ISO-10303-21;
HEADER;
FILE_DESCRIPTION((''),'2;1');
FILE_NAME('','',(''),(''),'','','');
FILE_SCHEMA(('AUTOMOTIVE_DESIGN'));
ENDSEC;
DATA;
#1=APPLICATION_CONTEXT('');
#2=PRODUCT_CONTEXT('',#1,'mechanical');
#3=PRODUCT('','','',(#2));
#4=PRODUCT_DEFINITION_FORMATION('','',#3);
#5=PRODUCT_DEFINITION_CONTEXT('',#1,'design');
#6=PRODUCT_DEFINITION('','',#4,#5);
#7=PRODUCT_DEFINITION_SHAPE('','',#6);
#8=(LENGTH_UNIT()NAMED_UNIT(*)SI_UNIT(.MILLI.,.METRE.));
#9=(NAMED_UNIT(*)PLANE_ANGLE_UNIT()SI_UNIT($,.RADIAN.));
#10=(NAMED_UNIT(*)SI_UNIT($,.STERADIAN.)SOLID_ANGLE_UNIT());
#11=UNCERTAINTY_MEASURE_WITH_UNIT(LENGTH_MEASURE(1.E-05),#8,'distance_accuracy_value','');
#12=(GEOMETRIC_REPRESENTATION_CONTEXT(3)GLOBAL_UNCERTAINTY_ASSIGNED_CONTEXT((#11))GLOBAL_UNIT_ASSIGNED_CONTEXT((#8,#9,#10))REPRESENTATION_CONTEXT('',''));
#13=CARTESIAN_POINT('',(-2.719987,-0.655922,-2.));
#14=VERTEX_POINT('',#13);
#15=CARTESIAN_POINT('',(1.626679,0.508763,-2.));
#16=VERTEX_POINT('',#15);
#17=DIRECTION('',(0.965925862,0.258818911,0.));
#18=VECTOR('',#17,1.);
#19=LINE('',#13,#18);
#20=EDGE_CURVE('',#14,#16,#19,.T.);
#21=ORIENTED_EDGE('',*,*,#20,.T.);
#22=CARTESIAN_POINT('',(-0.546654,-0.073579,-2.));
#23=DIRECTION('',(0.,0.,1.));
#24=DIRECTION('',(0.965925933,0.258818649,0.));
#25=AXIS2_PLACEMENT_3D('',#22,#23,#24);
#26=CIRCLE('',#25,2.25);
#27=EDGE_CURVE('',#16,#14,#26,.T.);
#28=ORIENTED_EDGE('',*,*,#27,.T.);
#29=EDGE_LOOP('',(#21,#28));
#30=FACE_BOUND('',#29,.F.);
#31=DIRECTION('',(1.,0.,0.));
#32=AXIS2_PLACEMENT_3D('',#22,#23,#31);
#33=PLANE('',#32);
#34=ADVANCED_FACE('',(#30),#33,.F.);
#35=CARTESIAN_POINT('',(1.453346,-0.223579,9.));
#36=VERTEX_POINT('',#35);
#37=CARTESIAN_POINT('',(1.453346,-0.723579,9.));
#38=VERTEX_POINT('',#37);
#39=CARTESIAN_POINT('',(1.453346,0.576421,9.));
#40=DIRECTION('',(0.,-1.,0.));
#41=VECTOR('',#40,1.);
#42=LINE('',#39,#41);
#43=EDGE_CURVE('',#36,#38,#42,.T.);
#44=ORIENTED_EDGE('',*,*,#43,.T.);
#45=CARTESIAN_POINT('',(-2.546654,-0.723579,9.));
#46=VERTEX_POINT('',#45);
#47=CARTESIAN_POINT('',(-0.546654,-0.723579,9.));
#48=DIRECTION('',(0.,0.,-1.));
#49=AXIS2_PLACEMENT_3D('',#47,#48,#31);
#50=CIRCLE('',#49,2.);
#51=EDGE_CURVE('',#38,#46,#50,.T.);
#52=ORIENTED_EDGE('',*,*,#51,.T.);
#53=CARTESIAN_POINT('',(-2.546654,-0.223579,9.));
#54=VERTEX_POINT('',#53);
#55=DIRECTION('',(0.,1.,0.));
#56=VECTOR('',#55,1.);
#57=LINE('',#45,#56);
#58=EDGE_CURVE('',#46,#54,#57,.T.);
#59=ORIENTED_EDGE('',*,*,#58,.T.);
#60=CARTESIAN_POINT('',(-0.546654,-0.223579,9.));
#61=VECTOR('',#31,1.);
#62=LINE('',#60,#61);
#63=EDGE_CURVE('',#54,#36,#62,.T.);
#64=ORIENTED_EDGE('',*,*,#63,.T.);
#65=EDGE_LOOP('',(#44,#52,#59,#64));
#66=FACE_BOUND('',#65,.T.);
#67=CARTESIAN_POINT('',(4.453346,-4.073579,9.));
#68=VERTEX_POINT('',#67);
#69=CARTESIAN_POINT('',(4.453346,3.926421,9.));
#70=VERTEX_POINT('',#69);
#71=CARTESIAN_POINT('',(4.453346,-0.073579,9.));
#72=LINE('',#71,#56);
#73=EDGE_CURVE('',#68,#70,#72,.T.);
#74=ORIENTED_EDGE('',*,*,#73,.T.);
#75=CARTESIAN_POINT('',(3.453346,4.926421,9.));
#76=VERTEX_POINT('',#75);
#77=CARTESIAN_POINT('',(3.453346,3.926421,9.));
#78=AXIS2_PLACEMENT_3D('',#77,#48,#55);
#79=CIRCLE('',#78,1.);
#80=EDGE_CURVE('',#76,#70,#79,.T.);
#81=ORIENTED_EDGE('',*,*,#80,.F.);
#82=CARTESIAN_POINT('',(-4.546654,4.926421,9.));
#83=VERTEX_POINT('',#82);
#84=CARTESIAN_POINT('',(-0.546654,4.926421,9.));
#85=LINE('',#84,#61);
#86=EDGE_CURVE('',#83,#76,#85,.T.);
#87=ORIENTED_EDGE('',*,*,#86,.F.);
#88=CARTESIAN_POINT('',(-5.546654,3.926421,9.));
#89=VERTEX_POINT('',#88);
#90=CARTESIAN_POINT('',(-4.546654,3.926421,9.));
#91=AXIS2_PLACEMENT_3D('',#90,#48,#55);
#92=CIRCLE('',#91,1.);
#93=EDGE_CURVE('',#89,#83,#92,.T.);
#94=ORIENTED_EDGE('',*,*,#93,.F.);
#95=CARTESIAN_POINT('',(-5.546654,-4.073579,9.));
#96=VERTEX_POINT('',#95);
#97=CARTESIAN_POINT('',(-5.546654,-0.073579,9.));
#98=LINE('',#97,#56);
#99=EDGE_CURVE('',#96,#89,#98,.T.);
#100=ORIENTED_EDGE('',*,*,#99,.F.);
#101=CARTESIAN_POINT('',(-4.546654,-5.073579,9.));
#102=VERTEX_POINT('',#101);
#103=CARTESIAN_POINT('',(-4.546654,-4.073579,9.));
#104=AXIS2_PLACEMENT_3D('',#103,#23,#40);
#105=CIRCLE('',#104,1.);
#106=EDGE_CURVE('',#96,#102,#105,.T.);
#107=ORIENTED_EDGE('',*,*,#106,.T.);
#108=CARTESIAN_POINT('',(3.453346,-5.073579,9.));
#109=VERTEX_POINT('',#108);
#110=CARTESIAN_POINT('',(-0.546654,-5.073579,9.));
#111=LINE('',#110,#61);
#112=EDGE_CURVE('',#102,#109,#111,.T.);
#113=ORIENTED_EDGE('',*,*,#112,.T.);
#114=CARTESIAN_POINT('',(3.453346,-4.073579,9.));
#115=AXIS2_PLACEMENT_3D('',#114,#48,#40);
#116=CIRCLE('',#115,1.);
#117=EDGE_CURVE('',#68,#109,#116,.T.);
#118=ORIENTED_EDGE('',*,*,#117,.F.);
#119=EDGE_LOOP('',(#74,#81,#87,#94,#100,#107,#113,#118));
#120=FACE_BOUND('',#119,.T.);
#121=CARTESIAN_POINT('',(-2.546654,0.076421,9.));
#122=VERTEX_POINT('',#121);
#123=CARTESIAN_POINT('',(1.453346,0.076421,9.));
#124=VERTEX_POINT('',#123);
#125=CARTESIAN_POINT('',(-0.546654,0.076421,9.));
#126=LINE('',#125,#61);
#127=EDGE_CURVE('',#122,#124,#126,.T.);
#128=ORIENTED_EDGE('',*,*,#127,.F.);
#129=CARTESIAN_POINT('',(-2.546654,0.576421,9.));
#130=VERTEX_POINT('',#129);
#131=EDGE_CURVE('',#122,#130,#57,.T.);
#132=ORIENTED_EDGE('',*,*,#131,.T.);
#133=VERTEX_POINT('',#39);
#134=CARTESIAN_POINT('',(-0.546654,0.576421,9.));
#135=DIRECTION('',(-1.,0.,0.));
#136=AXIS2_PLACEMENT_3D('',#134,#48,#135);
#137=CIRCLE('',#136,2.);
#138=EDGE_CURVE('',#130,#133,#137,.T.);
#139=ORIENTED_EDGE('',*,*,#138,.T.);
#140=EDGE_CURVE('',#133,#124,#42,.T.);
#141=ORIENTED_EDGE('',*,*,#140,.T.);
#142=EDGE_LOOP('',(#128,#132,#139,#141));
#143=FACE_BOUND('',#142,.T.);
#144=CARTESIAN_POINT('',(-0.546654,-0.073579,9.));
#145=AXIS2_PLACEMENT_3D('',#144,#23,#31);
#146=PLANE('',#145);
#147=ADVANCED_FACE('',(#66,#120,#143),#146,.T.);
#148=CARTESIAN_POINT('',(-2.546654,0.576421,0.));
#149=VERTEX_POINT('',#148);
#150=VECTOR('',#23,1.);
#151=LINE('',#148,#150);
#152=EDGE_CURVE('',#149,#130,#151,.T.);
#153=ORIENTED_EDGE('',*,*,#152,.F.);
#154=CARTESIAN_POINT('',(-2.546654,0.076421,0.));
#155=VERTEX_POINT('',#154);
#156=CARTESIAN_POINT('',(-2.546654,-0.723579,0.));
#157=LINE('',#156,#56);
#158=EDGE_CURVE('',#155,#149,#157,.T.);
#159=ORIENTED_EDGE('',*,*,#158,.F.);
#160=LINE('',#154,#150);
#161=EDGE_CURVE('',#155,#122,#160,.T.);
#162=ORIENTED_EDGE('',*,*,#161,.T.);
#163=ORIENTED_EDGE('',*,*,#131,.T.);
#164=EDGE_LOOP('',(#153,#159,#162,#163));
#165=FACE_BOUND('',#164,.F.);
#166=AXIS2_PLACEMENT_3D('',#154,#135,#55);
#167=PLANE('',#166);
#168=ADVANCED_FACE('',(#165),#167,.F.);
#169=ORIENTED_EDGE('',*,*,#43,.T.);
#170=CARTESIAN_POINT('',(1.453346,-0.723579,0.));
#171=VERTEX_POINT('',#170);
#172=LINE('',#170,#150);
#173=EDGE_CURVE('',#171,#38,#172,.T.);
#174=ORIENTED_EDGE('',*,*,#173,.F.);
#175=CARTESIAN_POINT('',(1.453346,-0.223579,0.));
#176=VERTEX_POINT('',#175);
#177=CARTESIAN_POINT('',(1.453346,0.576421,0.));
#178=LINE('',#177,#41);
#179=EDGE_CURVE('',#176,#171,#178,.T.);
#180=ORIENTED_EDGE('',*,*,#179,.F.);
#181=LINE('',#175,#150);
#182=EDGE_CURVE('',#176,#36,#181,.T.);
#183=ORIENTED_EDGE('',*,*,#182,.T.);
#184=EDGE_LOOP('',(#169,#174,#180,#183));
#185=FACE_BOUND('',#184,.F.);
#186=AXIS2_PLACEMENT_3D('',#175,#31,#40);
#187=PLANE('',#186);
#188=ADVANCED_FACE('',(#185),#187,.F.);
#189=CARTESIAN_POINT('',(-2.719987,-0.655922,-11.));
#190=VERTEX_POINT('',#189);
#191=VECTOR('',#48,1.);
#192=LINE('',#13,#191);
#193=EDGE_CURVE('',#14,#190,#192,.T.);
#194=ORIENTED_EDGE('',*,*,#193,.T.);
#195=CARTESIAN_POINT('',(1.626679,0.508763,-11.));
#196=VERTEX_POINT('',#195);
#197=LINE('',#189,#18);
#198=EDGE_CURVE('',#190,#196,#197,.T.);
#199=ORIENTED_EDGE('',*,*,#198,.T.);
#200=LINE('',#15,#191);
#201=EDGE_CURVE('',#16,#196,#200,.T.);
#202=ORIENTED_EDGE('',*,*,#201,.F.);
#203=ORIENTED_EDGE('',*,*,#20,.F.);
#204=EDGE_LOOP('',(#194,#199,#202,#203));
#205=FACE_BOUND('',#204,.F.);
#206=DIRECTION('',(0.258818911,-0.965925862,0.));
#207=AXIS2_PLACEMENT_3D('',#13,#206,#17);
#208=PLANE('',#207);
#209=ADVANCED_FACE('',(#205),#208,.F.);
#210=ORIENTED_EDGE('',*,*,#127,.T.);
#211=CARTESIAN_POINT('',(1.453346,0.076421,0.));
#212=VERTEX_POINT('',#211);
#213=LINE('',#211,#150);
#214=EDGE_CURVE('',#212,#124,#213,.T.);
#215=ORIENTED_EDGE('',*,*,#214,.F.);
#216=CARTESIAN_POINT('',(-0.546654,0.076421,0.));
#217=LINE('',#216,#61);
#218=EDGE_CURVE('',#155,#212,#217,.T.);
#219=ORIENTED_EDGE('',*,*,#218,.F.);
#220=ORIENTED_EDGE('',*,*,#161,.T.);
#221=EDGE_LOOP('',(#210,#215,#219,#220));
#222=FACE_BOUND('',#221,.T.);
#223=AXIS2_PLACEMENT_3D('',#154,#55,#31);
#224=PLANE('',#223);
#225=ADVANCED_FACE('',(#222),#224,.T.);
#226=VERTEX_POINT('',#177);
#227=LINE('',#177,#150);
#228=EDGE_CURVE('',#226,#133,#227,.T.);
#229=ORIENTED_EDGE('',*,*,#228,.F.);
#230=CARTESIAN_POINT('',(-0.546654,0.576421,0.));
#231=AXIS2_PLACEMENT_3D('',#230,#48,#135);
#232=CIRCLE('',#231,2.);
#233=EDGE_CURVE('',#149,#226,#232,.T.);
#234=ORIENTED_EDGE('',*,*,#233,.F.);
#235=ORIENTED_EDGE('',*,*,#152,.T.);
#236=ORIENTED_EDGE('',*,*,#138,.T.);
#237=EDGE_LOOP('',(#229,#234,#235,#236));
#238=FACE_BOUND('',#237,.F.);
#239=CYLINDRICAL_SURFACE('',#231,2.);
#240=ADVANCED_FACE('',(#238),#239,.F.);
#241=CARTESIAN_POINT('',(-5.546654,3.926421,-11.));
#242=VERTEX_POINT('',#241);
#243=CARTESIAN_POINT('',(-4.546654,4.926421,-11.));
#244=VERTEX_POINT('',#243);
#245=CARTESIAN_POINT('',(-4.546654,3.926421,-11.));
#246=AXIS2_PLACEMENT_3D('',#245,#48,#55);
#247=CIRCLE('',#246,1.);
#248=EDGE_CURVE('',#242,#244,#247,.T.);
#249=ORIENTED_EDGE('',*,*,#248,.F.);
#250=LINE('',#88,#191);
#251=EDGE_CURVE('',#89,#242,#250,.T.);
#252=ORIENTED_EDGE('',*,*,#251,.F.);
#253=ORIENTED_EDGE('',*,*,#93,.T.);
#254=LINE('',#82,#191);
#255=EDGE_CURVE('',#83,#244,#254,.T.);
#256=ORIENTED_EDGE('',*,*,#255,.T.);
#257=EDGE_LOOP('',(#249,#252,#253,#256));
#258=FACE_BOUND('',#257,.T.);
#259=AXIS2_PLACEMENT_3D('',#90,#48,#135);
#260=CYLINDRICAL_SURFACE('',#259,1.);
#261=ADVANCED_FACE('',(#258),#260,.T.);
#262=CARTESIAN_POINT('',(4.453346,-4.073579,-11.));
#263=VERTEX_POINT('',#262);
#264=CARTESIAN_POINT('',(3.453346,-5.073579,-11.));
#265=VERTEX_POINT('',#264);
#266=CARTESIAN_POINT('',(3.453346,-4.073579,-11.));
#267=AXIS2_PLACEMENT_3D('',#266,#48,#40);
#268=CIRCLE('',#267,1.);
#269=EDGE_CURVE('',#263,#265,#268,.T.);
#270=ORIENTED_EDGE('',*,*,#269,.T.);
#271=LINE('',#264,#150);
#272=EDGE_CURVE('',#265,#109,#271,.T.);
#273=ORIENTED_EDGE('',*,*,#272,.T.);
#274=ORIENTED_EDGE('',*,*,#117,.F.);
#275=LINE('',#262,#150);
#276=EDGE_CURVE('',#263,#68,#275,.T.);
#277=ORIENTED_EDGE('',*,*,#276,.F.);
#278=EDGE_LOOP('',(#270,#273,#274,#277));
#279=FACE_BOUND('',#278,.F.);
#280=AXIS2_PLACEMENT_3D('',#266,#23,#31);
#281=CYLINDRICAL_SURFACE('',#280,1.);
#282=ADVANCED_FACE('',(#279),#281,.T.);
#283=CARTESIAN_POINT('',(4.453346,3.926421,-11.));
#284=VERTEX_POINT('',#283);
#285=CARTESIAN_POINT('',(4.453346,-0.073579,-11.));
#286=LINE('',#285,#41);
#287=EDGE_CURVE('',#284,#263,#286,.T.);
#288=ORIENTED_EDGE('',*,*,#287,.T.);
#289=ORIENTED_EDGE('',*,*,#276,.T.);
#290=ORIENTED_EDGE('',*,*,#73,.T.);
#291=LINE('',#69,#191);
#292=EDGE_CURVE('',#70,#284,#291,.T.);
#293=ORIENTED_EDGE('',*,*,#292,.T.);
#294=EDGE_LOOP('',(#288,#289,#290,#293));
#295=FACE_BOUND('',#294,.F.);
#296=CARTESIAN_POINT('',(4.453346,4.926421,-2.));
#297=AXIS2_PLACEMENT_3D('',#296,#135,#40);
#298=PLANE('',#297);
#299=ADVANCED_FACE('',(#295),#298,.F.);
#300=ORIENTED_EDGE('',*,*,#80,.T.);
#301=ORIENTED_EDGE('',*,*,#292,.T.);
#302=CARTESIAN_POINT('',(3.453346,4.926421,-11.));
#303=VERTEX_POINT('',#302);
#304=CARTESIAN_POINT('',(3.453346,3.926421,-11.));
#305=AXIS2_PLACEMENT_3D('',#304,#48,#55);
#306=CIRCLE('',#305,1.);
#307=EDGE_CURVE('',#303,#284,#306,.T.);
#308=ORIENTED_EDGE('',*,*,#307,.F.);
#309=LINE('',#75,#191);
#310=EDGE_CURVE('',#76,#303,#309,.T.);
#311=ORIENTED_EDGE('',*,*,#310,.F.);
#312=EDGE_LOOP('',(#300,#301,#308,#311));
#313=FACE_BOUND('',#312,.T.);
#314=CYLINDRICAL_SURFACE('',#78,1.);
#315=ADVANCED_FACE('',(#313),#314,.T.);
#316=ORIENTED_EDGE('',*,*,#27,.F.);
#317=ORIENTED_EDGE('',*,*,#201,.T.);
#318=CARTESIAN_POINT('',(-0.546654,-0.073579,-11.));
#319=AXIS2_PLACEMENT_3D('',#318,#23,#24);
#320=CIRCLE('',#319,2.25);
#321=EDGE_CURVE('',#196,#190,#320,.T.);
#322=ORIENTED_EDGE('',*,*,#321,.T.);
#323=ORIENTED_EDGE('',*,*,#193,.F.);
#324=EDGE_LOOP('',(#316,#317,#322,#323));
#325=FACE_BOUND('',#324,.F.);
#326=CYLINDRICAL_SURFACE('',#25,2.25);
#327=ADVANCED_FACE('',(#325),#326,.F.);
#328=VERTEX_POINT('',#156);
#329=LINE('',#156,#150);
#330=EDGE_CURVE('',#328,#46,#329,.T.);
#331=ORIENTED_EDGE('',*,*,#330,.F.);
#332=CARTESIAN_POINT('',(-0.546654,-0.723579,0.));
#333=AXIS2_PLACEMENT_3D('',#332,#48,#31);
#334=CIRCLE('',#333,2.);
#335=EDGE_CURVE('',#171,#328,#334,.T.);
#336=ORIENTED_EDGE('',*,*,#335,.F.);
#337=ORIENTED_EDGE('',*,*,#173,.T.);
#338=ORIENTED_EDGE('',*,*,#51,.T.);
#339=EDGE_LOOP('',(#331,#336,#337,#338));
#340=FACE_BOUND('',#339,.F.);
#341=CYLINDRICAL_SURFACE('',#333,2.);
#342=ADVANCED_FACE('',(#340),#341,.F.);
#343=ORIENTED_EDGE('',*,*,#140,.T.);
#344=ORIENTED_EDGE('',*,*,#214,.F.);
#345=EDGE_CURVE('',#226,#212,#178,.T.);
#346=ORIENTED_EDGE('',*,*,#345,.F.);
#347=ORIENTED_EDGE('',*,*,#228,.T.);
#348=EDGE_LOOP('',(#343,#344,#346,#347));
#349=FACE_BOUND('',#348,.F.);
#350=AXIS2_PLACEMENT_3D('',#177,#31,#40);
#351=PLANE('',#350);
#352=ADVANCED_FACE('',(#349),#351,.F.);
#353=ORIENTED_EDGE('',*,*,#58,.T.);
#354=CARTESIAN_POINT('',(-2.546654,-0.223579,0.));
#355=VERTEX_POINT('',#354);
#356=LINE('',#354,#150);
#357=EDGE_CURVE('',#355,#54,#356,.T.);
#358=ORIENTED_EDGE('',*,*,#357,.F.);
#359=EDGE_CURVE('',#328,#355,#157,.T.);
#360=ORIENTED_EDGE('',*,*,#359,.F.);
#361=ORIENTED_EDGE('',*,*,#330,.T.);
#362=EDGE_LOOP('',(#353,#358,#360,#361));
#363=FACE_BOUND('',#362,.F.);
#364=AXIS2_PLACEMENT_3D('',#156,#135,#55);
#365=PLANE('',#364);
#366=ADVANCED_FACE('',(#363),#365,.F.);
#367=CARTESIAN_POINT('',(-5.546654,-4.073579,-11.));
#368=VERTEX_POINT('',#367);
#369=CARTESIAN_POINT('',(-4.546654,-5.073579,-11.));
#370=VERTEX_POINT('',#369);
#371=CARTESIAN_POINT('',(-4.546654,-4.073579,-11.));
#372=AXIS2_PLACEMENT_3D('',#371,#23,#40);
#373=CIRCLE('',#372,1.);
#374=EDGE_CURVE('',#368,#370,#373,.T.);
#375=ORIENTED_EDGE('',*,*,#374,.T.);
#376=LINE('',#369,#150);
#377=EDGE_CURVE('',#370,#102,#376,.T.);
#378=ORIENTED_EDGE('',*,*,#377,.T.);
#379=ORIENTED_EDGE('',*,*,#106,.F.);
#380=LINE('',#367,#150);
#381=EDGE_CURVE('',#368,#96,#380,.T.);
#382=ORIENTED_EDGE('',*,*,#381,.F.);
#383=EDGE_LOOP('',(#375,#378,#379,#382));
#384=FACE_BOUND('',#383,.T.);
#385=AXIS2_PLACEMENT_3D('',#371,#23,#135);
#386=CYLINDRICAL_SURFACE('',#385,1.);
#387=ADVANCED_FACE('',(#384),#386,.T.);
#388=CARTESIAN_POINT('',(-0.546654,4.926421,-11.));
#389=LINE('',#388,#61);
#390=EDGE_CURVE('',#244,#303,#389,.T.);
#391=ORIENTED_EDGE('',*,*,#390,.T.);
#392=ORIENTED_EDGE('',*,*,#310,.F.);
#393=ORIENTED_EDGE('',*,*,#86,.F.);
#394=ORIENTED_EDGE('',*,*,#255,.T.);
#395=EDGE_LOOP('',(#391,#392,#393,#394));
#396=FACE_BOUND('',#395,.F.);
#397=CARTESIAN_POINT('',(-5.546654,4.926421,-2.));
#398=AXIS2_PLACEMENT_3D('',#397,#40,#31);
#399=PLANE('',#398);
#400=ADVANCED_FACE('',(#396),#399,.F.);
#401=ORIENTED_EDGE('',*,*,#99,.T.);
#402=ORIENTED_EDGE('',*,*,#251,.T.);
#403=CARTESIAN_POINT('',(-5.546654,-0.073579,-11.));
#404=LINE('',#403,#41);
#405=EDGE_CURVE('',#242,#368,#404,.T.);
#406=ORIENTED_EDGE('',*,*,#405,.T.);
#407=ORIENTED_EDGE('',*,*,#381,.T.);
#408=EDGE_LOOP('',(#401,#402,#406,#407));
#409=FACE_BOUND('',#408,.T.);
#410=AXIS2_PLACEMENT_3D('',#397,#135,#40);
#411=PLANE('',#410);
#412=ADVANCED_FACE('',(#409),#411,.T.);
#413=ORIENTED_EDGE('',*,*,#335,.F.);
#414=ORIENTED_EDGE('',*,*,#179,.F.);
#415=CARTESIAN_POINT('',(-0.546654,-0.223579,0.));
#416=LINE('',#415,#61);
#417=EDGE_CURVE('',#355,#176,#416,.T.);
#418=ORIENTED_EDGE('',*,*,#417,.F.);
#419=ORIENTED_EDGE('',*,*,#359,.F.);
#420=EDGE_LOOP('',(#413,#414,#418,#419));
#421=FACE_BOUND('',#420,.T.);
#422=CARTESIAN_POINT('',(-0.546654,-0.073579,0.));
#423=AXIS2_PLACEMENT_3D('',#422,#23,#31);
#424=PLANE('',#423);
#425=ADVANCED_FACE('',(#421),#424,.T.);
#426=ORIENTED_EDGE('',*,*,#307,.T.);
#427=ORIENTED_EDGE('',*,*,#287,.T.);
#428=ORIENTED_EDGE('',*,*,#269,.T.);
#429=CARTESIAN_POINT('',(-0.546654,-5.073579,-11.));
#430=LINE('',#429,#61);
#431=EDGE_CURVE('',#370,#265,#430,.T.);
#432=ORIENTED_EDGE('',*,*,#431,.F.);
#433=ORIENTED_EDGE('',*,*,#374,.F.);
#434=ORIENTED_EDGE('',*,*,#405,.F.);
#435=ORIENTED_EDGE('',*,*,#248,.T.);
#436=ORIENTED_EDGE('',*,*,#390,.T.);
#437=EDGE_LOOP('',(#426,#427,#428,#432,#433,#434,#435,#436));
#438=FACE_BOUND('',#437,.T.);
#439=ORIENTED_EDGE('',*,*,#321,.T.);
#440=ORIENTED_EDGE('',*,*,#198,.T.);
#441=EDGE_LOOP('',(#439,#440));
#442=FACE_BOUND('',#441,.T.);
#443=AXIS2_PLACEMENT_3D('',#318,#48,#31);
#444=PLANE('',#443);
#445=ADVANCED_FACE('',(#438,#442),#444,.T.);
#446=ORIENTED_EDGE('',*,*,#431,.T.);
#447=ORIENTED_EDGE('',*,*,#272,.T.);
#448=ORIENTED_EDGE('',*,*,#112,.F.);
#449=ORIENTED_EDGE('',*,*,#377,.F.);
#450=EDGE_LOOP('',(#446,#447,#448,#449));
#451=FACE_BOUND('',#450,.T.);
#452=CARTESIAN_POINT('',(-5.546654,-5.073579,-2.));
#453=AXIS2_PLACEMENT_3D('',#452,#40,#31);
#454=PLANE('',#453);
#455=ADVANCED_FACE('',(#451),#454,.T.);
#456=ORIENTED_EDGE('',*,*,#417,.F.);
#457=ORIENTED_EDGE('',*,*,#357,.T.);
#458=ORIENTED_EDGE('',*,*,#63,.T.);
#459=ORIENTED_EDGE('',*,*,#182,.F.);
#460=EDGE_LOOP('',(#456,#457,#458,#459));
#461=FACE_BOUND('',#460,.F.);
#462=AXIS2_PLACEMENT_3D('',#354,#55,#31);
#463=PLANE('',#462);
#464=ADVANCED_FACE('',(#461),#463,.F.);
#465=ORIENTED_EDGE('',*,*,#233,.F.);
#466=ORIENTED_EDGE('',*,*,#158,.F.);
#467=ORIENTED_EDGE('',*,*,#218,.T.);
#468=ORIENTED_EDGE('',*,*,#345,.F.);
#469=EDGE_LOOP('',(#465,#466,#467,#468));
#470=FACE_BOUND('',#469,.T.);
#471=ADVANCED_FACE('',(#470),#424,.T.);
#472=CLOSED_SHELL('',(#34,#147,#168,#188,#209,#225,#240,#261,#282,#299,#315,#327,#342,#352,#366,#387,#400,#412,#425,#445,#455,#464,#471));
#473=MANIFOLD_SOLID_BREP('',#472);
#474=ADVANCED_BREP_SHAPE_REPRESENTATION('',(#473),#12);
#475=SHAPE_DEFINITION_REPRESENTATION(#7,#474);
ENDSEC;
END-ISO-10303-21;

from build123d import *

# Parameters (mm, degrees)
F0_W     = 10
F0_H     = 10
F0_W_2   = 4
F0_H_2   = 0.3
F1_DEPTH = 9
F2_DEPTH = 2
F3_W     = 10
F3_H     = 10
F4_DEPTH = 9
F6_R     = 1


with BuildPart() as f1:
    # F0 (on Top) → F1 (new body)
    with BuildSketch(Plane.XY):
        with Locations((-0.546654, -0.073579)):
            Rectangle(F0_W, F0_H)
        with BuildLine():
            Line((1.453346, 0.076421), (1.453346, -0.223579))
            Line((1.453346, -0.223579), (1.453346, -0.723579))
            ThreePointArc((1.453346, -0.723579), (-0.546654, -2.723579), (-2.546654, -0.723579))
            Line((-2.546654, -0.723579), (-2.546654, -0.223579))
            Line((-2.546654, -0.223579), (-2.546654, 0.076421))
            Line((-2.546654, 0.076421), (-2.546654, 0.576421))
            ThreePointArc((-2.546654, 0.576421), (-0.546654, 2.576421), (1.453346, 0.576421))
            Line((1.453346, 0.576421), (1.453346, 0.076421))
        make_face(mode=Mode.SUBTRACT)
        with Locations((-0.546654, -0.073579)):
            Rectangle(F0_W_2, F0_H_2)
    extrude(amount=F1_DEPTH)

    # F0 (on Top) → F2 (join)
    with BuildSketch(Plane.XY):
        with Locations((-0.546654, -0.073579)):
            Rectangle(F0_W, F0_H)
        with BuildLine():
            Line((1.453346, 0.076421), (1.453346, -0.223579))
            Line((1.453346, -0.223579), (1.453346, -0.723579))
            ThreePointArc((1.453346, -0.723579), (-0.546654, -2.723579), (-2.546654, -0.723579))
            Line((-2.546654, -0.723579), (-2.546654, -0.223579))
            Line((-2.546654, -0.223579), (-2.546654, 0.076421))
            Line((-2.546654, 0.076421), (-2.546654, 0.576421))
            ThreePointArc((-2.546654, 0.576421), (-0.546654, 2.576421), (1.453346, 0.576421))
            Line((1.453346, 0.576421), (1.453346, 0.076421))
        make_face(mode=Mode.SUBTRACT)
        with BuildLine():
            Line((1.453346, -0.723579), (1.453346, -0.223579))
            Line((1.453346, -0.223579), (-2.546654, -0.223579))
            Line((-2.546654, -0.223579), (-2.546654, -0.723579))
            ThreePointArc((-2.546654, -0.723579), (-0.546654, -2.723579), (1.453346, -0.723579))
        make_face()
        with Locations((-0.546654, -0.073579)):
            Rectangle(F0_W_2, F0_H_2)
        with BuildLine():
            Line((-2.546654, 0.076421), (1.453346, 0.076421))
            Line((1.453346, 0.076421), (1.453346, 0.576421))
            ThreePointArc((1.453346, 0.576421), (-0.546654, 2.576421), (-2.546654, 0.576421))
            Line((-2.546654, 0.576421), (-2.546654, 0.076421))
        make_face()
    extrude(amount=-F2_DEPTH)


with BuildPart() as f4:
    # F3 (on face) → F4 (new body)
    with BuildSketch(Plane(origin=(0, 0, -2), x_dir=(1, 0, 0), z_dir=(0, 0, -1))):
        with Locations((-0.546654, 0.073579)):
            Rectangle(F3_W, F3_H)
        with BuildLine():
            ThreePointArc((-2.719987, 0.655922), (-0.25297, 2.30433), (1.703346, 0.073579))
            ThreePointArc((1.703346, 0.073579), (1.684097, -0.220104), (1.626679, -0.508763))
            ThreePointArc((1.626679, -0.508763), (-1.128997, -2.099754), (-2.719987, 0.655922))
        make_face(mode=Mode.SUBTRACT)
        with BuildLine():
            ThreePointArc((1.626679, -0.508763), (1.684097, -0.220104), (1.703346, 0.073579))
            ThreePointArc((1.703346, 0.073579), (-0.25297, 2.30433), (-2.719987, 0.655922))
            Line((-2.719987, 0.655922), (1.626679, -0.508763))
        make_face()
    extrude(amount=F4_DEPTH)


with BuildPart() as f1_1:
    add(f1.part)

    # F5: union F4
    add(f4.part)

    # F6
    f6_edges = [f1_1.edges().sort_by_distance(p)[0] for p in [
        (-5.546654, 4.926421, -1),
        (4.453346, 4.926421, -1),
        (4.453346, -5.073579, -1),
        (-5.546654, -5.073579, -1),
    ]]
    fillet(f6_edges, radius=F6_R)


solid = f1_1.part
